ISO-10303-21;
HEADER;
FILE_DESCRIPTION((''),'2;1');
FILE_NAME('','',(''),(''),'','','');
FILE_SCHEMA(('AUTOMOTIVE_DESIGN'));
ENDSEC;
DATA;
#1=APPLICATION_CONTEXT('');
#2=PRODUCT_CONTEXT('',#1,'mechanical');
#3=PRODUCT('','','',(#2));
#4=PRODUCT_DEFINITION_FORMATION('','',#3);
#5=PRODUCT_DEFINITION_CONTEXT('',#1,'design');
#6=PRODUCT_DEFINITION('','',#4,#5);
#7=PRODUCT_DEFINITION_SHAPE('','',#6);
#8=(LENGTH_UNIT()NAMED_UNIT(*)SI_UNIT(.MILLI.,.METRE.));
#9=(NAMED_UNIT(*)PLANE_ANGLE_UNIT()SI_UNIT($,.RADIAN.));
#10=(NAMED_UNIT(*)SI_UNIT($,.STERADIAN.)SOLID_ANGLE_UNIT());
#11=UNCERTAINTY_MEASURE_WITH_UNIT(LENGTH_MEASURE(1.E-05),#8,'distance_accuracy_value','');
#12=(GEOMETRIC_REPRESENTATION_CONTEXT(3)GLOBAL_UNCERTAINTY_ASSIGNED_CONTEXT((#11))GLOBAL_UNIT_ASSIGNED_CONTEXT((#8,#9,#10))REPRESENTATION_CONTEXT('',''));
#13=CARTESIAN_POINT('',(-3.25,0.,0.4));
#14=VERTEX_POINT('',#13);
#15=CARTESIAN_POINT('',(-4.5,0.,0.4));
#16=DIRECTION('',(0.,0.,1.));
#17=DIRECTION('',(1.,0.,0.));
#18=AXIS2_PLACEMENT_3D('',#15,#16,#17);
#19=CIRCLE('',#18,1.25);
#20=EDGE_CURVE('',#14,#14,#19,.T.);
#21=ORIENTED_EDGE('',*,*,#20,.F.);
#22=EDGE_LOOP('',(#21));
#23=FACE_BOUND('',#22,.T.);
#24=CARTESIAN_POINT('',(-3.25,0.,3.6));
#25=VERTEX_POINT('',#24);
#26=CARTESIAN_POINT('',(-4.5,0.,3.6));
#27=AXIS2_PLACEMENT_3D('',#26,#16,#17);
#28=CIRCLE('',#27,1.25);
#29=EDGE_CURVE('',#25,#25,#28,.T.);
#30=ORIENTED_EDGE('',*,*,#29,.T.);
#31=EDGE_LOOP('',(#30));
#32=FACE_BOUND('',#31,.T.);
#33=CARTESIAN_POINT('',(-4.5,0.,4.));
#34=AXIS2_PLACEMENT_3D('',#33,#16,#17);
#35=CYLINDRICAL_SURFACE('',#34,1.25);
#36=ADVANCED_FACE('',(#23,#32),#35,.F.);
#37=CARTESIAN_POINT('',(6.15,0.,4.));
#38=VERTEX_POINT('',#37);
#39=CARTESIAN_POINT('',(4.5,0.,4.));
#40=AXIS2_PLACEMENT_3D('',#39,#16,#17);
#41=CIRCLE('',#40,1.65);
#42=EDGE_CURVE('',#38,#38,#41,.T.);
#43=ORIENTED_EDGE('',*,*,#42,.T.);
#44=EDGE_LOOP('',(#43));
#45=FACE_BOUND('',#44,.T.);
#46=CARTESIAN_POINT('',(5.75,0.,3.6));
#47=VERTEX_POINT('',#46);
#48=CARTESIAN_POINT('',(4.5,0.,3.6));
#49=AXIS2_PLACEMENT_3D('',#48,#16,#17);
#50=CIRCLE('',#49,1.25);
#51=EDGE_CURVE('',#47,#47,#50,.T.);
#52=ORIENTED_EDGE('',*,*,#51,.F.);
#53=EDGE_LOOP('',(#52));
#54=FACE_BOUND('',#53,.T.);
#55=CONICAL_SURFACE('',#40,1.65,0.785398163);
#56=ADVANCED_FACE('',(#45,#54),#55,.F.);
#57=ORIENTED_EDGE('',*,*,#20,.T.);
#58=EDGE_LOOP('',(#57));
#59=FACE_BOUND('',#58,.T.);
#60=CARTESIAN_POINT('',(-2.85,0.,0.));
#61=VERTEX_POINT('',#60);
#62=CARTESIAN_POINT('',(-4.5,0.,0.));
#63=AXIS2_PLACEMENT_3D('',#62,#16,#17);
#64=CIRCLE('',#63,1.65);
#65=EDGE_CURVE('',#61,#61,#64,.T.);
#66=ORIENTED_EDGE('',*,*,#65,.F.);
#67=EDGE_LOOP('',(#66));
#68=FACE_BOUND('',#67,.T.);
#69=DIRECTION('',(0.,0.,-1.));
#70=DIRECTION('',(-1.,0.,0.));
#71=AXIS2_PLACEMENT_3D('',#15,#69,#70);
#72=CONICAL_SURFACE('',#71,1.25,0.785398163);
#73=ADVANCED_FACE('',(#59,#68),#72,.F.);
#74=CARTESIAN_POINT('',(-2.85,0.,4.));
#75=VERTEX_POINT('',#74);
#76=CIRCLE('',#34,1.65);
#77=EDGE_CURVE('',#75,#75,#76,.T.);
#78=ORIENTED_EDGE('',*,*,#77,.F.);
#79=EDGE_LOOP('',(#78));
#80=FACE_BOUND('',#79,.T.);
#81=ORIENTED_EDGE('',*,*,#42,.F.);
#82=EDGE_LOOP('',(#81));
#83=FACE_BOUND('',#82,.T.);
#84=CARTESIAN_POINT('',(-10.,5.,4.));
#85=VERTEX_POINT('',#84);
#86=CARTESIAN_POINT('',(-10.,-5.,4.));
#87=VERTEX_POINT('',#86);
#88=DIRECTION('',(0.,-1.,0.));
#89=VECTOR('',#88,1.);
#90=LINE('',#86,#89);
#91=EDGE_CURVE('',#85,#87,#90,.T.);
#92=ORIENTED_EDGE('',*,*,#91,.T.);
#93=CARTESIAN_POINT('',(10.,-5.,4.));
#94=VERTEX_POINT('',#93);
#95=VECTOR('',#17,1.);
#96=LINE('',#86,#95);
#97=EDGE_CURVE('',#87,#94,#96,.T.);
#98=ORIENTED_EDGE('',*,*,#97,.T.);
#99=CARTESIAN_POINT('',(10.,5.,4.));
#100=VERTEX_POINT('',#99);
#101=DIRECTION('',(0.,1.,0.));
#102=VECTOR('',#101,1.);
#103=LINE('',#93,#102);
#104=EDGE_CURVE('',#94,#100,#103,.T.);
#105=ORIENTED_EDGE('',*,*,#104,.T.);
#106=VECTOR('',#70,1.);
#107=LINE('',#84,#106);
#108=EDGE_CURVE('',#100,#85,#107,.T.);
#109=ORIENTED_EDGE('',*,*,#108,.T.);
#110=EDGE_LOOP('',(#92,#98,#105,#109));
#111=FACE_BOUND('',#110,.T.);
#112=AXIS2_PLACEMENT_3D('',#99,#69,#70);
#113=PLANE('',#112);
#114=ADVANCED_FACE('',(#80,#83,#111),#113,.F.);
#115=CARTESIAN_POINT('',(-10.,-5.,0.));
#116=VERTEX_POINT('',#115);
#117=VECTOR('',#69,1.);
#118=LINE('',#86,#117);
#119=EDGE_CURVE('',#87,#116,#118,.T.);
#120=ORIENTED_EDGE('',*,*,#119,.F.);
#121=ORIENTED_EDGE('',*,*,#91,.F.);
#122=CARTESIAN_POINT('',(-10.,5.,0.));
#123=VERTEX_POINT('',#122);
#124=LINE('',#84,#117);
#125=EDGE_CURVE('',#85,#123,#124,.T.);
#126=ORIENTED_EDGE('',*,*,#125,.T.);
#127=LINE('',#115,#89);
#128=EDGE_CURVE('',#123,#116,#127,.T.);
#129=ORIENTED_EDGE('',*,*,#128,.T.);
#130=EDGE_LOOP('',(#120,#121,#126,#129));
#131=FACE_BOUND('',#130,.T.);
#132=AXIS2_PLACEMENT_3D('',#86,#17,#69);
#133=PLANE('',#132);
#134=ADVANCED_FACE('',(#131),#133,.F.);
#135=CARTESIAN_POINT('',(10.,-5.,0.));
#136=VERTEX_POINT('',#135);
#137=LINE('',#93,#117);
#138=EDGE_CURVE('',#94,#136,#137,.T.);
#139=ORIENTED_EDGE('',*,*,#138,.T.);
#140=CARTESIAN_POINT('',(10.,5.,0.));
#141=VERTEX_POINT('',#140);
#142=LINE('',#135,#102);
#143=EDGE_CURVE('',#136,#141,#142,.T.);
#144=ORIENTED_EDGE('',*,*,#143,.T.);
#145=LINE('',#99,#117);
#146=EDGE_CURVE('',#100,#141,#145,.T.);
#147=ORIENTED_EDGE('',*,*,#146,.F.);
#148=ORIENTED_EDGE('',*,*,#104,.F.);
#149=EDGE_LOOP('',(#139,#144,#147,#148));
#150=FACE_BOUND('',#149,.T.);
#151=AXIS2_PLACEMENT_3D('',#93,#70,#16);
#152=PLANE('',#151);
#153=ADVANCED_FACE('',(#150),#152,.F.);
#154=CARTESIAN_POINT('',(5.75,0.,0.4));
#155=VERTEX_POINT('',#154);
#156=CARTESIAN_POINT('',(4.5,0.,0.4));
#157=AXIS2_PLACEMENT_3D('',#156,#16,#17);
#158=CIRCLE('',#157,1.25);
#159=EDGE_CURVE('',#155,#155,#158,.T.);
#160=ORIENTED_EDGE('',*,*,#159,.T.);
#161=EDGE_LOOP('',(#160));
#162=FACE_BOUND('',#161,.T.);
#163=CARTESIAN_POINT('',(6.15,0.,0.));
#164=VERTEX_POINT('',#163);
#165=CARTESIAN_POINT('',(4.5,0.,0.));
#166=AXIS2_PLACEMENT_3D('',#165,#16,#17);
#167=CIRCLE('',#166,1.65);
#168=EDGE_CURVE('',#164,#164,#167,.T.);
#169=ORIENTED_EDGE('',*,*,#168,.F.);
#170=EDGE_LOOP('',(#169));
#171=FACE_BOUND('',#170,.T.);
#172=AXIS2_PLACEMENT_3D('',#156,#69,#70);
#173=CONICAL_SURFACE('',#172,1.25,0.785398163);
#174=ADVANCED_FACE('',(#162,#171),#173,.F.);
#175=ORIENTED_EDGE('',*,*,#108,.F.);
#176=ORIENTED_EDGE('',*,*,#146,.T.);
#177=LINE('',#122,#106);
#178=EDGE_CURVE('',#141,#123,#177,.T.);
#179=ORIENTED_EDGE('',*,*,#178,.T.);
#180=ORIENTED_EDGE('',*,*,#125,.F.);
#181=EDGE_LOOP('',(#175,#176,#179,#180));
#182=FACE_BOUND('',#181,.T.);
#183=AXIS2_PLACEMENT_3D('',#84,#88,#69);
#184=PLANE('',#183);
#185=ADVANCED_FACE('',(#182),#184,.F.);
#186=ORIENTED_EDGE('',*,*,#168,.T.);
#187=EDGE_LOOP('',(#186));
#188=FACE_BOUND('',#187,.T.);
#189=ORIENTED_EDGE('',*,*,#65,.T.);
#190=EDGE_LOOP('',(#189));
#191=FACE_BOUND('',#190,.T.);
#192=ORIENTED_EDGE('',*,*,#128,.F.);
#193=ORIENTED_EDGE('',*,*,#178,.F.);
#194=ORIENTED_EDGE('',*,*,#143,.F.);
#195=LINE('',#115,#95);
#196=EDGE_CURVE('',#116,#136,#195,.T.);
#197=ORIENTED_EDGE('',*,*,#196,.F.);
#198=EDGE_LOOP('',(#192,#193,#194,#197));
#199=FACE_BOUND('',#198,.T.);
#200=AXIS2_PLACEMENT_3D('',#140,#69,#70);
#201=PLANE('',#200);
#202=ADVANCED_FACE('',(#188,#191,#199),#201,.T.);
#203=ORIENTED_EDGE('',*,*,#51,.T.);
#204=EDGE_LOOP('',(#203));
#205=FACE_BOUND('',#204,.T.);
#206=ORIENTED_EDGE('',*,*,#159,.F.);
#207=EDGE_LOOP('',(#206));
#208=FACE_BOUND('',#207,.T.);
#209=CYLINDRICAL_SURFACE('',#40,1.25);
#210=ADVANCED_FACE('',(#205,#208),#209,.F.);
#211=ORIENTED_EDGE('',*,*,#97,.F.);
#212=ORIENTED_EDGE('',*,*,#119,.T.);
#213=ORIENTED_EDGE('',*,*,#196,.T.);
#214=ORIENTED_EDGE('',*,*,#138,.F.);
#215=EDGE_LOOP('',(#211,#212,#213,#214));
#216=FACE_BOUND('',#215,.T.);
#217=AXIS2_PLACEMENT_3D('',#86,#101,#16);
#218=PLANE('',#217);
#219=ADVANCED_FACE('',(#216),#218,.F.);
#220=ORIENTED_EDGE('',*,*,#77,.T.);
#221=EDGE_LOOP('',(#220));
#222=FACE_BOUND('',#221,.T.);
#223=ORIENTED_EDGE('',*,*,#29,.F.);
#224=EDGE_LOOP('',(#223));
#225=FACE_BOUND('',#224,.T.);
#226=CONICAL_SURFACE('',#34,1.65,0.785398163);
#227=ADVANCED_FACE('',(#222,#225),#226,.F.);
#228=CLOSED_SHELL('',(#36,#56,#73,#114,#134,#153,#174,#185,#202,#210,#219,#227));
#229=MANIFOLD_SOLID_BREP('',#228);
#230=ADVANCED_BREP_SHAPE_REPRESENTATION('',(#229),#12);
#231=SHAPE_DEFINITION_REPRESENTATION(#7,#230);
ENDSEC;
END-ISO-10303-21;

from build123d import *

# Parameters (mm, degrees)
SKETCH_1_W         = 20
SKETCH_1_H         = 10
EXTRUDE_1_DEPTH    = 4
M3X0_51_AT_2_COUNT = 2
M3X0_51_AT_2_PITCH = 9


with BuildPart() as part:
    # Эскиз1 → Бобышка-Вытянуть1 (new body)
    with BuildSketch(Plane.XY):
        Rectangle(SKETCH_1_W, SKETCH_1_H)
    extrude(amount=EXTRUDE_1_DEPTH)

    # Эскиз2 → Отверстие обработанное метчиком M3x0.51 (revolve, cut)
    with BuildSketch(Plane(origin=(-4.5, 0, 4), x_dir=(0, -1, 0), z_dir=(1, 0, 0))):
        Polygon((0, 0), (0, 4), (1.65, 4), (1.25, 3.6), (1.25, 0.4), (1.65, 0), align=None)
    m3x0_51 = revolve(axis=Axis((-4.5, 0, 10.35), (0, 0, -1)), mode=Mode.SUBTRACT)

    # Отверстие обработанное метчиком M3x0.51 at 2: Отверстие обработанное метчиком M3x0.51 ×2
    with Locations(*[(i * M3X0_51_AT_2_PITCH, 0, 0) for i in range(1, M3X0_51_AT_2_COUNT)]):
        add(m3x0_51, mode=Mode.SUBTRACT)


solid = part.part
